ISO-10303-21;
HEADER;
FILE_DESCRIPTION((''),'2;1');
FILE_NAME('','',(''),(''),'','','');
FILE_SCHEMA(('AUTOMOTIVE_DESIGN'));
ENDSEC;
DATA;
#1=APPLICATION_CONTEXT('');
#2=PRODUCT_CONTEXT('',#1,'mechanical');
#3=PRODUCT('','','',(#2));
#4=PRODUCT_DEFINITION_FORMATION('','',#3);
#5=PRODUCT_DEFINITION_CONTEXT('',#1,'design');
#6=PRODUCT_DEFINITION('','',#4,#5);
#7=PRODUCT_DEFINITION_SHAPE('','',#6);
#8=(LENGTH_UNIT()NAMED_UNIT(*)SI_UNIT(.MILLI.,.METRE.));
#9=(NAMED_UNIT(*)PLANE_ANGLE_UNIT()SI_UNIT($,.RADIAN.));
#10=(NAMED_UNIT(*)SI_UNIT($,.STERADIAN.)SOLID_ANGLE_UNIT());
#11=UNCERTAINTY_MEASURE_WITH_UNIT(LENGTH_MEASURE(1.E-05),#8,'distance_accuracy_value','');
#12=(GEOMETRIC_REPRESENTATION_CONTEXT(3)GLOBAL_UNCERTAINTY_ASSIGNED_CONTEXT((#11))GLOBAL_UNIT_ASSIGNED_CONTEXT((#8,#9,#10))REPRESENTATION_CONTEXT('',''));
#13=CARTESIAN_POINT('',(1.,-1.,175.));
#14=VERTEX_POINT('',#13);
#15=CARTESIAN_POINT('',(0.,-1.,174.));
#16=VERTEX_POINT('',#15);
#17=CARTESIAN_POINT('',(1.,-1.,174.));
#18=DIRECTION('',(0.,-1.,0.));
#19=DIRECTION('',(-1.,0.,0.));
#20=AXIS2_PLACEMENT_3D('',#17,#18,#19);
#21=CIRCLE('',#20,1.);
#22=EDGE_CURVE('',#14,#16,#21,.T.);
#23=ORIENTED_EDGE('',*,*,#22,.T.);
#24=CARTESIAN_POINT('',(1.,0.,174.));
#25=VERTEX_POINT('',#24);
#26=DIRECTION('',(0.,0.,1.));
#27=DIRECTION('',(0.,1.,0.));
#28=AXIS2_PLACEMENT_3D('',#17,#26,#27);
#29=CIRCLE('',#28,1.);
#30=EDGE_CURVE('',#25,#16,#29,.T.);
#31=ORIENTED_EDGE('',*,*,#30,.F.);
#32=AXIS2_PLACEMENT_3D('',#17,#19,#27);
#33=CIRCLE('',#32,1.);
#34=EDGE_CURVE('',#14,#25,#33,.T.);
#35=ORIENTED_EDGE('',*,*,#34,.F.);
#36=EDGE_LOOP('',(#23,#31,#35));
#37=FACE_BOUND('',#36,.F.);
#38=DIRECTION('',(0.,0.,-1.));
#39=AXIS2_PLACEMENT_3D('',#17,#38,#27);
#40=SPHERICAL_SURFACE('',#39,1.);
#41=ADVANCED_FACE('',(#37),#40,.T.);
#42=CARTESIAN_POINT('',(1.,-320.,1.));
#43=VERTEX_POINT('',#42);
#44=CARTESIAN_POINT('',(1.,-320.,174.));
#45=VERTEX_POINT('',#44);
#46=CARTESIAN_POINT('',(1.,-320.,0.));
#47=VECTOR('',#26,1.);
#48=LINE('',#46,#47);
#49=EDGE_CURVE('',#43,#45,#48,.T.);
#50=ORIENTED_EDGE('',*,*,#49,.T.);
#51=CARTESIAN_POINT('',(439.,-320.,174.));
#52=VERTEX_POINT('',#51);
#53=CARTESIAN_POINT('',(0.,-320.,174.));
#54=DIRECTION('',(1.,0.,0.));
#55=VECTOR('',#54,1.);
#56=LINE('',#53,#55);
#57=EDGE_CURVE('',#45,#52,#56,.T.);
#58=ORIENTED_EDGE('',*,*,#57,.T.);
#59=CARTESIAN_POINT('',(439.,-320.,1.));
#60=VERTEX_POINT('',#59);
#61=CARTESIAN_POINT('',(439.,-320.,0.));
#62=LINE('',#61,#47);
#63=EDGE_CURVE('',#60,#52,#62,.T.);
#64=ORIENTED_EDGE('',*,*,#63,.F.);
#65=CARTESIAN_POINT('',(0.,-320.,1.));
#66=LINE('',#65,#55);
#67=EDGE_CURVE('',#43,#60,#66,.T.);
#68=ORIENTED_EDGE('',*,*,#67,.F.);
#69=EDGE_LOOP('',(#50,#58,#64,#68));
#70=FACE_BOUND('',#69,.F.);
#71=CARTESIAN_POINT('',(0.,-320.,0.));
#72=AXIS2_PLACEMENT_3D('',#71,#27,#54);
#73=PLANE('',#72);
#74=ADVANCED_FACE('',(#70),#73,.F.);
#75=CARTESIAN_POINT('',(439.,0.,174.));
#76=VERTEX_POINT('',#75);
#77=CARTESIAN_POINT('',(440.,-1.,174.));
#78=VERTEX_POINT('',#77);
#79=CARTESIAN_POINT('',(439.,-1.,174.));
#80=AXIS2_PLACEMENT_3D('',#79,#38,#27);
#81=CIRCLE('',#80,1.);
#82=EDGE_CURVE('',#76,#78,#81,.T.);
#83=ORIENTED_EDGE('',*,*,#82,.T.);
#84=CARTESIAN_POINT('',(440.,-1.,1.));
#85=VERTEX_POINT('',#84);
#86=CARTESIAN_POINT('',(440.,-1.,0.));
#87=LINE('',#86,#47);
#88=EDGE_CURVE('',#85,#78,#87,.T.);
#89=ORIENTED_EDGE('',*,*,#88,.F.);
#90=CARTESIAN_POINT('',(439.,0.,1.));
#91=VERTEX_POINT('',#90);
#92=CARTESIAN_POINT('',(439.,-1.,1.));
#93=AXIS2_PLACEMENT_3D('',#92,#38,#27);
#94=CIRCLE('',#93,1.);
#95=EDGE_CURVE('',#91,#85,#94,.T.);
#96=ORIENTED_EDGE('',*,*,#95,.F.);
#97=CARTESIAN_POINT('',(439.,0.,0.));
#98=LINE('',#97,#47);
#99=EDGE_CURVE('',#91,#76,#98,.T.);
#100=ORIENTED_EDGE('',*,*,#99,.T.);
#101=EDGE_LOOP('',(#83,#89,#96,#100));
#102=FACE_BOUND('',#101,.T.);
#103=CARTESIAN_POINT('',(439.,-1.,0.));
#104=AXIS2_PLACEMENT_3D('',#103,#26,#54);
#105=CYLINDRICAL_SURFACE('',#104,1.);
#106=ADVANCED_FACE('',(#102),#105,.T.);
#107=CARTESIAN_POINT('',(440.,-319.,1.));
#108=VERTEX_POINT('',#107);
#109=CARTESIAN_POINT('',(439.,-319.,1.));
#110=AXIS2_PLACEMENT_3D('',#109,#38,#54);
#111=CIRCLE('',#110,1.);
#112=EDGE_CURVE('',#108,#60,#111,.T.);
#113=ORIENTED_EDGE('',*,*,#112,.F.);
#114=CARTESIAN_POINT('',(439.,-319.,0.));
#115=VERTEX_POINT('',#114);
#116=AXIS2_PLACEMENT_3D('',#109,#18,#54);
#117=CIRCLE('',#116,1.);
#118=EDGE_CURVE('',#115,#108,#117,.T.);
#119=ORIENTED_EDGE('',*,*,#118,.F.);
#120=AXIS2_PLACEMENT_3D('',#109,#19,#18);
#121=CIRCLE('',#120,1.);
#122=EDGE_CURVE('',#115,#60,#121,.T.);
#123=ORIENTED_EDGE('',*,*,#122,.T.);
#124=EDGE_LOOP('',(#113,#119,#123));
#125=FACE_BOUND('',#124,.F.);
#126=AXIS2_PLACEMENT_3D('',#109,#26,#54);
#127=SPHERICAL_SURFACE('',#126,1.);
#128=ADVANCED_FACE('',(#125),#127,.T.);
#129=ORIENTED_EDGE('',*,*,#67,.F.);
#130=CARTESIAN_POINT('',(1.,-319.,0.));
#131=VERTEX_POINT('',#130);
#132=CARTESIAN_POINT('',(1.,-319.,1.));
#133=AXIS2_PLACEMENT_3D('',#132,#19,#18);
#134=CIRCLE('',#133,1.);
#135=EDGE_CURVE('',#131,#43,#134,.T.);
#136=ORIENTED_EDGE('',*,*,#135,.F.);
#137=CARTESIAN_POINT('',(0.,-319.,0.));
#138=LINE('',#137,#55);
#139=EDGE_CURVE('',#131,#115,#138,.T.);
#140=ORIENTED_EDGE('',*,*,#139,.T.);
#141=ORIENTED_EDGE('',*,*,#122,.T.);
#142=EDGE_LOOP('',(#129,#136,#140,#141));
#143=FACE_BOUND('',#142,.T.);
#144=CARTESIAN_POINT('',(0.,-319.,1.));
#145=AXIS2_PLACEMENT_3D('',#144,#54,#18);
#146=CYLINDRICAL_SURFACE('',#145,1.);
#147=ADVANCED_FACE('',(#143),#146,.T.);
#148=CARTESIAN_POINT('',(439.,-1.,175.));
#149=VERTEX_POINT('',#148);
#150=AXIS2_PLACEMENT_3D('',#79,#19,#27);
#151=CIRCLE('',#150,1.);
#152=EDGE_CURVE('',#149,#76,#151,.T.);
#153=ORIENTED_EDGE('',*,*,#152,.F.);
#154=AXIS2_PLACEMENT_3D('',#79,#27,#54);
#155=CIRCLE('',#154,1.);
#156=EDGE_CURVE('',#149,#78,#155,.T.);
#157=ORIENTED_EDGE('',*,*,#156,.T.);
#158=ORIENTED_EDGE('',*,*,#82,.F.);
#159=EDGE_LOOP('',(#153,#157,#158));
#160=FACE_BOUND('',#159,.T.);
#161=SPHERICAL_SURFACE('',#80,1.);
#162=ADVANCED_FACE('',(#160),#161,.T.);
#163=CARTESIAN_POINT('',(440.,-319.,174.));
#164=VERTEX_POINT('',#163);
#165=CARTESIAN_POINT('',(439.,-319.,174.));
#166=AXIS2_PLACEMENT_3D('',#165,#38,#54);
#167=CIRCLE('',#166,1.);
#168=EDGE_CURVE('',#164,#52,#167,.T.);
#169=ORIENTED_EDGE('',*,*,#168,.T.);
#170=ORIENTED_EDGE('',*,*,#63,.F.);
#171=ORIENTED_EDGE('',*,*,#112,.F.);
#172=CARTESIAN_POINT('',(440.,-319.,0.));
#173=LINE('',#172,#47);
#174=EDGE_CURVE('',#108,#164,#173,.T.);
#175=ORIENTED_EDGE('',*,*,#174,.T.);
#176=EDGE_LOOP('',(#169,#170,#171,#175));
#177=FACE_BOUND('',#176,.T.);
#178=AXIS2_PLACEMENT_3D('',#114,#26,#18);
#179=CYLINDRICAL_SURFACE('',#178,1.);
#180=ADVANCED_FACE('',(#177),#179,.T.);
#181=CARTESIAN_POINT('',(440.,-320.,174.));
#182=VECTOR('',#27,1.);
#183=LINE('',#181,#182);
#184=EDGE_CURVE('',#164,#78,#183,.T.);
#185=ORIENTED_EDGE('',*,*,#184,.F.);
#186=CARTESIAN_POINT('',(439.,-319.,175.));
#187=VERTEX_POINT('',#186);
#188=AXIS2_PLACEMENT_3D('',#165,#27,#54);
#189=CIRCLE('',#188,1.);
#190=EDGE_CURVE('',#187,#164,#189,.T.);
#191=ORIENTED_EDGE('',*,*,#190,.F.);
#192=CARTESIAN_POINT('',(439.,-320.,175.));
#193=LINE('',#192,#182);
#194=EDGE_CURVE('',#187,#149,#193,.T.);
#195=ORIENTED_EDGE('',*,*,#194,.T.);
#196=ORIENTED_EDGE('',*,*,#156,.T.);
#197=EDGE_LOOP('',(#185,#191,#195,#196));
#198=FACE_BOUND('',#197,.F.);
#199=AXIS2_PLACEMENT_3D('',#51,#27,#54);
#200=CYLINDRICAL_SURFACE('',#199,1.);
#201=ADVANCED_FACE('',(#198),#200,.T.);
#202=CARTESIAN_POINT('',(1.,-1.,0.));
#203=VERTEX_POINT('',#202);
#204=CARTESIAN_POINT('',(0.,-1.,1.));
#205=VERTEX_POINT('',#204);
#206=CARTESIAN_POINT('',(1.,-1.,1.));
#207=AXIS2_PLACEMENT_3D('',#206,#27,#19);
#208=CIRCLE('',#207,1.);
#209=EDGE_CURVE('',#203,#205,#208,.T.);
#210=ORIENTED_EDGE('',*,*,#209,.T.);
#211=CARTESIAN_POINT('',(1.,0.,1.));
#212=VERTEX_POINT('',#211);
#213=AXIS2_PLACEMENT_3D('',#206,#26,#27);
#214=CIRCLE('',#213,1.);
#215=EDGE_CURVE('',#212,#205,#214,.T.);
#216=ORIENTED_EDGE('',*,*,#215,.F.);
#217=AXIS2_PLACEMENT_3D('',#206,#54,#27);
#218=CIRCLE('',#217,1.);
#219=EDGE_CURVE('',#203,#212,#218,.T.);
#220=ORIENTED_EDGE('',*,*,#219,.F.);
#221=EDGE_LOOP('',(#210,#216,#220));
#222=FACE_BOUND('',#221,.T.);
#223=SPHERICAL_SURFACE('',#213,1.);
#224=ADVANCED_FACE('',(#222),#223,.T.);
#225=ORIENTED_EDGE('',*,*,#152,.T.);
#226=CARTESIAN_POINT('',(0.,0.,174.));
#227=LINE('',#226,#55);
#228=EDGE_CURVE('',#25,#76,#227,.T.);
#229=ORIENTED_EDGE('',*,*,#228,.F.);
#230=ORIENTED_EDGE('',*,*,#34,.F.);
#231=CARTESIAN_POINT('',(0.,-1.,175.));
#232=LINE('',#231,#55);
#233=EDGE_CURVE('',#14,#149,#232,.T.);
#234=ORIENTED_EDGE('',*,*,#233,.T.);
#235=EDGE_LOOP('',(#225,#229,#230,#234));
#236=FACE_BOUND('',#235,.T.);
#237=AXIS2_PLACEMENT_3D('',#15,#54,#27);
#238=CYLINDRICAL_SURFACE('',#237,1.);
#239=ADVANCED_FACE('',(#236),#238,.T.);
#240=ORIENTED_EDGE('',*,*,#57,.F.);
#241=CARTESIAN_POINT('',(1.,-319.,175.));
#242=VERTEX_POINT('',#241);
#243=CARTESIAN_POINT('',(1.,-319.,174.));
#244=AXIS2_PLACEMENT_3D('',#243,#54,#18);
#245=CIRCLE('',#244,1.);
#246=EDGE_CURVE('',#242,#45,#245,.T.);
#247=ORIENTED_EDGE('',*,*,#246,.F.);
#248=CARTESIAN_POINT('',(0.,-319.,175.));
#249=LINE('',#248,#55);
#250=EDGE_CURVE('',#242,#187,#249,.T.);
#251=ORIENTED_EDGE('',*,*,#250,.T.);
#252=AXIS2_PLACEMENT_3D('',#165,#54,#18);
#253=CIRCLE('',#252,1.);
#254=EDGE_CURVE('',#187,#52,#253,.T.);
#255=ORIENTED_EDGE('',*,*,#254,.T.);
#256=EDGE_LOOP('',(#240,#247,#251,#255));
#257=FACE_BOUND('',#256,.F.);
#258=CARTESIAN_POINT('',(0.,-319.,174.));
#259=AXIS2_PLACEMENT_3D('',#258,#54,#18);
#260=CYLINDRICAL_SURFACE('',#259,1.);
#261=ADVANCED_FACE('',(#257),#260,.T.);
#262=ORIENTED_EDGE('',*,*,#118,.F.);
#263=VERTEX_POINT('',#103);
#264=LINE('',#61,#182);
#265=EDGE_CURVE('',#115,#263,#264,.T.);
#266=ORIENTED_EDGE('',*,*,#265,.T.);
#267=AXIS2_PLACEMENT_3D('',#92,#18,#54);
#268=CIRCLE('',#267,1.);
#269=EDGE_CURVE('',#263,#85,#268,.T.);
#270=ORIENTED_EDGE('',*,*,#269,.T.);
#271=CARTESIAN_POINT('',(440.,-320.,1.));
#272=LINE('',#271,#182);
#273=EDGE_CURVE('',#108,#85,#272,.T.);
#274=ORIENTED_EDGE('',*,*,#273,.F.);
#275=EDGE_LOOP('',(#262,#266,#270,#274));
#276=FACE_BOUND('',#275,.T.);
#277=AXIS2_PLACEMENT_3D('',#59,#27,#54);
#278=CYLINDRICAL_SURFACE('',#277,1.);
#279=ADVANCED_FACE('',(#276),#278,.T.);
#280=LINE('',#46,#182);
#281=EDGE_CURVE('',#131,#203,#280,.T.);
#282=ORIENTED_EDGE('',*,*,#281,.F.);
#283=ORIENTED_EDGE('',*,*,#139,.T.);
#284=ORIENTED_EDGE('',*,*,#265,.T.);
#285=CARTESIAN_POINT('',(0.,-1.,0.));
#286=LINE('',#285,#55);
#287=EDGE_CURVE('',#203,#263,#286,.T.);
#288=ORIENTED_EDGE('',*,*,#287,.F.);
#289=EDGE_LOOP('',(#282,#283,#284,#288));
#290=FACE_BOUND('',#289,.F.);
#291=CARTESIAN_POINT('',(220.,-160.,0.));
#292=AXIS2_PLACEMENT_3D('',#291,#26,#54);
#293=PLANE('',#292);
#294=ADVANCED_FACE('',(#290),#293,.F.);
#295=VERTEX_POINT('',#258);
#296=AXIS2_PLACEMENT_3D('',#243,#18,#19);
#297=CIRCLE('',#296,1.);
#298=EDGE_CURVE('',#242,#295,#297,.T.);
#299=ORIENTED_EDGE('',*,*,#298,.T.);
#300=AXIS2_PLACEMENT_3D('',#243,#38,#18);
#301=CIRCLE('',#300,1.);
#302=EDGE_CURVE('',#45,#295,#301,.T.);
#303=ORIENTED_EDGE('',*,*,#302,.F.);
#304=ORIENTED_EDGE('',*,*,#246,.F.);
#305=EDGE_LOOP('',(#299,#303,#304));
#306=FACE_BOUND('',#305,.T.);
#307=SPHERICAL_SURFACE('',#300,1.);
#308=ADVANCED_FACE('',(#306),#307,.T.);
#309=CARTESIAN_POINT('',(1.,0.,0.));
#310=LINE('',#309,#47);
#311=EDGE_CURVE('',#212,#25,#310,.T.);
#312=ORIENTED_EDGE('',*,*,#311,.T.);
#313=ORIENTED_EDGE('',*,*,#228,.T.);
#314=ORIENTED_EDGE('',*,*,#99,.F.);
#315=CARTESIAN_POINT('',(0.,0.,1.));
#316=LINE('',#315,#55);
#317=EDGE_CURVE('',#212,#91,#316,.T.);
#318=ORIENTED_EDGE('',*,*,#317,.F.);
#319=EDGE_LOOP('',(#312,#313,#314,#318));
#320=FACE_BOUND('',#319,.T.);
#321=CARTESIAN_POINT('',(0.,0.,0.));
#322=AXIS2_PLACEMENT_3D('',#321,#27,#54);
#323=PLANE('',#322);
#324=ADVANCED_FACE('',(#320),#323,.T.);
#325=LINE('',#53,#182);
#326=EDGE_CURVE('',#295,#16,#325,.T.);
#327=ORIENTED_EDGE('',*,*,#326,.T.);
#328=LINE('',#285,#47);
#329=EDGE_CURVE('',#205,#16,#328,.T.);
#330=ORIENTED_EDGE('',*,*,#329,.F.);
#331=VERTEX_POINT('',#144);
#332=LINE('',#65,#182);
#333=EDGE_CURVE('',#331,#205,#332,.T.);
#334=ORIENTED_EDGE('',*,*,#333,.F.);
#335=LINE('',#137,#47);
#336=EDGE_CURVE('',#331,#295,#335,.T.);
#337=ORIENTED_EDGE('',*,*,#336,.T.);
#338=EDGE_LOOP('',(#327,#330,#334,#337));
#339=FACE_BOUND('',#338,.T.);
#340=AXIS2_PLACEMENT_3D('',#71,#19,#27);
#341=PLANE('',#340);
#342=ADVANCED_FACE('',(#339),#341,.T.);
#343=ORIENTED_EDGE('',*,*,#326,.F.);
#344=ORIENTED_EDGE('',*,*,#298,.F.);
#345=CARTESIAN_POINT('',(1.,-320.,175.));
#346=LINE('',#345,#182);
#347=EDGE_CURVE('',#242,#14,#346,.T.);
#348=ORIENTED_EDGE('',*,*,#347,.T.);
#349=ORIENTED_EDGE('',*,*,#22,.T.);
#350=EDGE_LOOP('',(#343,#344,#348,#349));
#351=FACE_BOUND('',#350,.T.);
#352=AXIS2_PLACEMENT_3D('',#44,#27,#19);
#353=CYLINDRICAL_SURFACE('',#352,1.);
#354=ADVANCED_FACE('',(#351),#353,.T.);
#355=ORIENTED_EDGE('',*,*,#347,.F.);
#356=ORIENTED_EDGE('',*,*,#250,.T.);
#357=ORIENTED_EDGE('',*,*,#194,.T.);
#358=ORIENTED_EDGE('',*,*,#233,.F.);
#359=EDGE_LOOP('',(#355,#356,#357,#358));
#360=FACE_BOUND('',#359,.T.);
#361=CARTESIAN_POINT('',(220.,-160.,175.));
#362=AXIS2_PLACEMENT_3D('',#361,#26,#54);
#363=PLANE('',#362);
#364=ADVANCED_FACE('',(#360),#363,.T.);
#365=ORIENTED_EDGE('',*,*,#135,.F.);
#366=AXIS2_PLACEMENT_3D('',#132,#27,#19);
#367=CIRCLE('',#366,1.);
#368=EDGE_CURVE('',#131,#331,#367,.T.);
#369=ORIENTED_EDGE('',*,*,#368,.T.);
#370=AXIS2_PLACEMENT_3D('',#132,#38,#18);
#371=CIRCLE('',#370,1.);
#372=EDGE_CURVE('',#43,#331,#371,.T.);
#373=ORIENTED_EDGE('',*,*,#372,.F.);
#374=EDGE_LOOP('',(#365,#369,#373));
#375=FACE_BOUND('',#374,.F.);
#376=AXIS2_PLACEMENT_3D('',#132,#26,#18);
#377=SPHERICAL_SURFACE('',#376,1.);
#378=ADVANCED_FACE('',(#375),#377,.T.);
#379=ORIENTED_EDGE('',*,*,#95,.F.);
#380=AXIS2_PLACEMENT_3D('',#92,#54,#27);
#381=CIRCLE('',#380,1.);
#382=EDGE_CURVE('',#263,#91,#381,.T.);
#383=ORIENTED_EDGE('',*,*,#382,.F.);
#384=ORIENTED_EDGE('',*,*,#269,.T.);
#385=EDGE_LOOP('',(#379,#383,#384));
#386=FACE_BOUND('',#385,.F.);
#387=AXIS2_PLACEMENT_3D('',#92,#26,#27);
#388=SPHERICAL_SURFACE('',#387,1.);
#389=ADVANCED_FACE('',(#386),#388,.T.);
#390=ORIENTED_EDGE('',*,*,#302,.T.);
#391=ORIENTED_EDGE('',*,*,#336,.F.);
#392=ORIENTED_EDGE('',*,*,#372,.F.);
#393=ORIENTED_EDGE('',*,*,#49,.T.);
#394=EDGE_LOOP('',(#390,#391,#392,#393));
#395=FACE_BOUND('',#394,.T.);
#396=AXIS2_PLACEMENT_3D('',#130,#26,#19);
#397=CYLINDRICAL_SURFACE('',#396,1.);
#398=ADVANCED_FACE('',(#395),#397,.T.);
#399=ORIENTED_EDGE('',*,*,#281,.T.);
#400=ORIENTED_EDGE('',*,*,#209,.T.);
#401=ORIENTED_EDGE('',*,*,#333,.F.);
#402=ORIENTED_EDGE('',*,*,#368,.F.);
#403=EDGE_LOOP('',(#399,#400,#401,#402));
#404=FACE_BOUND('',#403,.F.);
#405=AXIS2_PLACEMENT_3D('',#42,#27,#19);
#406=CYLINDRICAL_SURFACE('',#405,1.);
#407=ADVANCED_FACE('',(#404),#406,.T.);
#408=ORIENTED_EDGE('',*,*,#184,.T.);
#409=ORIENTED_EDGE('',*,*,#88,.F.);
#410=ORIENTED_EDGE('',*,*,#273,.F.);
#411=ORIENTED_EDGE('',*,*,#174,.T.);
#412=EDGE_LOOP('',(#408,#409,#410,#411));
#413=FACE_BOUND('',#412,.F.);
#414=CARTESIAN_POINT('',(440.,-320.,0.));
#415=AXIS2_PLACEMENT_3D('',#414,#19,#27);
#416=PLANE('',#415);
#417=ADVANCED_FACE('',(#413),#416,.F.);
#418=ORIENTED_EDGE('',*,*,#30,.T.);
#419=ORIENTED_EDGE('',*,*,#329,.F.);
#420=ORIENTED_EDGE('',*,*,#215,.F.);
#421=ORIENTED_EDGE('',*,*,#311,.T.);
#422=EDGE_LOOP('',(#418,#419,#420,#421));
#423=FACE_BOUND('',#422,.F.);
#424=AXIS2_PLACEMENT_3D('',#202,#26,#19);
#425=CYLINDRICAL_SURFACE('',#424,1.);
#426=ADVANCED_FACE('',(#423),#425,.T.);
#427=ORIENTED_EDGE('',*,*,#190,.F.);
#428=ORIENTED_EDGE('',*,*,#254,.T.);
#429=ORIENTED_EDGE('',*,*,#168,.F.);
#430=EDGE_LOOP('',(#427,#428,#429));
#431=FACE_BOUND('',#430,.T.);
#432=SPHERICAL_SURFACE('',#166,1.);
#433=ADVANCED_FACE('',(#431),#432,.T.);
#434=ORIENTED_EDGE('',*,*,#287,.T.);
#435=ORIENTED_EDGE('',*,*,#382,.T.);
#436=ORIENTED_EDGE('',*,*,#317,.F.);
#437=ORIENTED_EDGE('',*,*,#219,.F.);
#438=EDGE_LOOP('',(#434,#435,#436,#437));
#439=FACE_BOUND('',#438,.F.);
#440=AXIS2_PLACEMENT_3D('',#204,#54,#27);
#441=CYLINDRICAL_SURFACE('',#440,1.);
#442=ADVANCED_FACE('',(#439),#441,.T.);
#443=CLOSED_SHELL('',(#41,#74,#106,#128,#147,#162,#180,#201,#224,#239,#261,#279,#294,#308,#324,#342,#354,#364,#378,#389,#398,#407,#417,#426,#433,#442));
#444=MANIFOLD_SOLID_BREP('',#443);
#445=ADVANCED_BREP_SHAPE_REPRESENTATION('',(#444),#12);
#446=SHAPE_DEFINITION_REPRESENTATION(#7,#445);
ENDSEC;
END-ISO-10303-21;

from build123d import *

# Parameters (mm, degrees)
SKETCH_W  = 440
SKETCH_H  = 320
PAD_DEPTH = 175
FILLET_R  = 1


with BuildPart() as part:
    # Sketch → Pad (new body)
    with BuildSketch(Plane.XY):
        with Locations((220, -160)):
            Rectangle(SKETCH_W, SKETCH_H)
    extrude(amount=PAD_DEPTH)

    # Fillet
    fillet_edges = [part.edges().sort_by_distance(p)[0] for p in [
        (0, 0, 87.5),
        (440, 0, 87.5),
        (220, 0, 0),
        (220, 0, 175),
        (440, -320, 87.5),
        (440, -160, 0),
        (440, -160, 175),
        (0, -320, 87.5),
        (220, -320, 0),
        (220, -320, 175),
        (0, -160, 0),
        (0, -160, 175),
    ]]
    fillet(fillet_edges, radius=FILLET_R)


solid = part.part
